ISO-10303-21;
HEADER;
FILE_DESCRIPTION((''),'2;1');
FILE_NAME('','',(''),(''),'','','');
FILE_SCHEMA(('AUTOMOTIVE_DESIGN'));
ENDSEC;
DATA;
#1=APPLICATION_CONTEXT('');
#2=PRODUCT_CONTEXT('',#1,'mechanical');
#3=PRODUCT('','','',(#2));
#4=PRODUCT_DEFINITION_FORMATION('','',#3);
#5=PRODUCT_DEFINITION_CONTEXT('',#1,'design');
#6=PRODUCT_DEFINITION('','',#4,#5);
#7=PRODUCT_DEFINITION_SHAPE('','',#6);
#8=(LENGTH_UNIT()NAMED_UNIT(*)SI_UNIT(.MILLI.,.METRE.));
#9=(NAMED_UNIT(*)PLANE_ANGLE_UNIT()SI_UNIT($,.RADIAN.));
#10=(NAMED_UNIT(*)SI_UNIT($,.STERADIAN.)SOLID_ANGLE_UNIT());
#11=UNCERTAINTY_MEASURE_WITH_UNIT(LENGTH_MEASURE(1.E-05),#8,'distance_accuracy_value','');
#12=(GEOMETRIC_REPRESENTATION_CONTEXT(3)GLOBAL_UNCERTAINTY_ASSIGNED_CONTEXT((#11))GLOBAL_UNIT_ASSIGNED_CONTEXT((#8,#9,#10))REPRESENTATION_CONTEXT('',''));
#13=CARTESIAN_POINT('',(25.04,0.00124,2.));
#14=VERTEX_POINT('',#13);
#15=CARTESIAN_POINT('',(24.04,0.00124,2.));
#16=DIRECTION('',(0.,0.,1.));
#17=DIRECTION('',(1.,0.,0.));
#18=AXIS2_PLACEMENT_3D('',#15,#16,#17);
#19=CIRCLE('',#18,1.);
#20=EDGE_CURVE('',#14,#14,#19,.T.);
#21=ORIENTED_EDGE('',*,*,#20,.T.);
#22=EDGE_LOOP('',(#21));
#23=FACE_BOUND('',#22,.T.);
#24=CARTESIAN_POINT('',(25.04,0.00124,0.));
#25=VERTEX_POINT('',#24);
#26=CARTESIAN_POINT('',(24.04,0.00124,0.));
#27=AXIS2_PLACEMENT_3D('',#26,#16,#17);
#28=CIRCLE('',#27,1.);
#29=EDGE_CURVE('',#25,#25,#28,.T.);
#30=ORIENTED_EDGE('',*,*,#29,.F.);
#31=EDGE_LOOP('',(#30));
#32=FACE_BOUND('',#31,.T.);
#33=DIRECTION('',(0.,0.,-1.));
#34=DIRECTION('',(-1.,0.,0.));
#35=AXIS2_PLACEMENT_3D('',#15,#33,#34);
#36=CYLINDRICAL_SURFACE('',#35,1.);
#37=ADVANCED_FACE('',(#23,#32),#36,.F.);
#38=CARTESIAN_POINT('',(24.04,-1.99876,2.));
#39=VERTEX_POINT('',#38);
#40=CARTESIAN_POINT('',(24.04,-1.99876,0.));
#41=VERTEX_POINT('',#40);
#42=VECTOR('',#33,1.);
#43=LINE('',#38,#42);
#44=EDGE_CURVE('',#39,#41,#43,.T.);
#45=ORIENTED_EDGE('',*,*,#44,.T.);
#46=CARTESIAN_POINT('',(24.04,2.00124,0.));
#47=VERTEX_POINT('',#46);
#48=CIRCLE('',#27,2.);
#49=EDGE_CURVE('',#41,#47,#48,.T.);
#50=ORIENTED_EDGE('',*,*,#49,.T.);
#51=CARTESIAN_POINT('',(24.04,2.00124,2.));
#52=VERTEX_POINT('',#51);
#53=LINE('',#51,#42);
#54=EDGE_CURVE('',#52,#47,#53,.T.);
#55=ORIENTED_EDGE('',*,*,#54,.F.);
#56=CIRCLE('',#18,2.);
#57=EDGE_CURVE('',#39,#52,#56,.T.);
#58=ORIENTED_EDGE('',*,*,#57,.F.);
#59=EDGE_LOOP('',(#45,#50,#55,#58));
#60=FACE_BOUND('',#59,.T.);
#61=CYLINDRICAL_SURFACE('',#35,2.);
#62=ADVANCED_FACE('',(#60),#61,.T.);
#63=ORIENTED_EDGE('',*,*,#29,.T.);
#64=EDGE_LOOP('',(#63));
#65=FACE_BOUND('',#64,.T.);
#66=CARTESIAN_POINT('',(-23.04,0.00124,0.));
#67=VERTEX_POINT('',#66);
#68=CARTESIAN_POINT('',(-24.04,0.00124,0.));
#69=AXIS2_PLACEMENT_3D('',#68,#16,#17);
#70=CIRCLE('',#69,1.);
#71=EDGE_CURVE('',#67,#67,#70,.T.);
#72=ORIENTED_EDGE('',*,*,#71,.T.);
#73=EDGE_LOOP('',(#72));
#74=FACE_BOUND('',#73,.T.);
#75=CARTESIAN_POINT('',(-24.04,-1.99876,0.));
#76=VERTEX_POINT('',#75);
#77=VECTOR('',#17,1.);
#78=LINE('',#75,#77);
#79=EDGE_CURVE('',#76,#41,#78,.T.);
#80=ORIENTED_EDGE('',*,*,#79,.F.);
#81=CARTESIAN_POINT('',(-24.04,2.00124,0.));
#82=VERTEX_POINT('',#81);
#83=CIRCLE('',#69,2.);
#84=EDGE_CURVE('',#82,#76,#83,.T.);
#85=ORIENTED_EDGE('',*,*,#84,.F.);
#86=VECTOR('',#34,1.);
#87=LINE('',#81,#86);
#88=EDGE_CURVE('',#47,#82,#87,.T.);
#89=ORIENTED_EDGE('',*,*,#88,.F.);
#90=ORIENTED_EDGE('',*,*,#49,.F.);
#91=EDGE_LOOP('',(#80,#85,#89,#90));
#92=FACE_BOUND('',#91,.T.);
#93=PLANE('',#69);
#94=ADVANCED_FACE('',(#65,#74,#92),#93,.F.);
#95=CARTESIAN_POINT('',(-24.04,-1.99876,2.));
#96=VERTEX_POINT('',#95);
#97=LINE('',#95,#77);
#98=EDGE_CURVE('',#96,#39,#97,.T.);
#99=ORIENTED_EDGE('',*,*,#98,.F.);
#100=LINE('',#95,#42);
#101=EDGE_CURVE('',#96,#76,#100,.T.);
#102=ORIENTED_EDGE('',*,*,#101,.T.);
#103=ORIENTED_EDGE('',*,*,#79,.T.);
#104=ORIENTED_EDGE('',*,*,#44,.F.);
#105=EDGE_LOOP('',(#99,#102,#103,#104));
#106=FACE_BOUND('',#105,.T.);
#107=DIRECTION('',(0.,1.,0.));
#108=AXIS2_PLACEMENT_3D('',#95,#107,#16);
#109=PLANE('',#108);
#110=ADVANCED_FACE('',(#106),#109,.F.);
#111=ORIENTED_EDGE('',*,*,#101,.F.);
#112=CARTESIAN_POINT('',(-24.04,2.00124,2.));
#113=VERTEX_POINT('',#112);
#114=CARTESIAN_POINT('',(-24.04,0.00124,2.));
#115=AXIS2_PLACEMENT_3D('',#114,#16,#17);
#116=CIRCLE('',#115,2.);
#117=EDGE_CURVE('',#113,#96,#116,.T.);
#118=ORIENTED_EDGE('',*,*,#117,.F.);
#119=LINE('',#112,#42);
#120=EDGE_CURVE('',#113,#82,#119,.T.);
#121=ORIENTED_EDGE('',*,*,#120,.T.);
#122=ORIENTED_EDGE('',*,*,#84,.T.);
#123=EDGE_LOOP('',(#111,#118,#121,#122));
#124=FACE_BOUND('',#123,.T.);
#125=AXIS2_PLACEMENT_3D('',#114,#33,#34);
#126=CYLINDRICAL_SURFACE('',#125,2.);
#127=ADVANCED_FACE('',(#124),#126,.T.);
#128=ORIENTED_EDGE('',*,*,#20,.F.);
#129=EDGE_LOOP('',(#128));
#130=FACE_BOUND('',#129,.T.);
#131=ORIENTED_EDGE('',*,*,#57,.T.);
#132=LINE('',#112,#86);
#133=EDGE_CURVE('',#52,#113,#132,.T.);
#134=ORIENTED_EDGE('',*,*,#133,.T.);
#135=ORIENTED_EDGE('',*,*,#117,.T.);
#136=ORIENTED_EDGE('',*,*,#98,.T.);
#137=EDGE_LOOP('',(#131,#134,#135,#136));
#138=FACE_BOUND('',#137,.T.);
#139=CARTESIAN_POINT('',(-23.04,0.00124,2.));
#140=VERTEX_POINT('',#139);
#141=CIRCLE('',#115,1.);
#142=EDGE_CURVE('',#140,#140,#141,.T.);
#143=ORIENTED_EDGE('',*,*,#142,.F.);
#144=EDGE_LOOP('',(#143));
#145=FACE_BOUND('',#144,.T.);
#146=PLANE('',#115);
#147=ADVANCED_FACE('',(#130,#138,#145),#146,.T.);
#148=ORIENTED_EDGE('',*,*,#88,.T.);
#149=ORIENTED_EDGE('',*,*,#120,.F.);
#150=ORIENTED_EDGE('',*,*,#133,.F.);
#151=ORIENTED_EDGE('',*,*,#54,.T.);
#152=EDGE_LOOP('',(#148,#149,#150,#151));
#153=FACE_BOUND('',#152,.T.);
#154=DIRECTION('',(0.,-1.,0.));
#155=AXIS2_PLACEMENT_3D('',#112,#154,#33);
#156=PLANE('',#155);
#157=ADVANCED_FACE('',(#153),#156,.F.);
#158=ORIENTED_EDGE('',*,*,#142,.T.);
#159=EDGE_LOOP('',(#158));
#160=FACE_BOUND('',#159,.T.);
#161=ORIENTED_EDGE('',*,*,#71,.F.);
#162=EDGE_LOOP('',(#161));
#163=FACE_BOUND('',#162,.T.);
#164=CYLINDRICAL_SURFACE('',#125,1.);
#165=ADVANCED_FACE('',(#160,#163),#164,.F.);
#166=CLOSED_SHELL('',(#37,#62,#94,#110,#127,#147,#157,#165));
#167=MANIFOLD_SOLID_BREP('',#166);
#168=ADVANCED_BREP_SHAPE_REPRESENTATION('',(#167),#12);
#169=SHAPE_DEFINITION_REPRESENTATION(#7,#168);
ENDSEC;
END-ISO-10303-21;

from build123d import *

# Parameters (mm, degrees)
SKETCH_1_R      = 1
EXTRUDE_1_DEPTH = 2


with BuildPart() as part:
    # 草圖1 → 填料-伸長1 (new body)
    with BuildSketch(Plane.XY):
        with BuildLine():
            Line((-24.039999968, 2.001240404), (24.040000032, 2.001240404))
            ThreePointArc((24.040000032, 2.001240404), (26.040000032, 0.001240404), (24.040000032, -1.998759596))
            Line((24.040000032, -1.998759596), (-24.039999968, -1.998759596))
            ThreePointArc((-24.039999968, -1.998759596), (-26.039999968, 0.001240404), (-24.039999968, 2.001240404))
        make_face()
        with Locations((-24.039999968, 0.001240404)):
            Circle(SKETCH_1_R, mode=Mode.SUBTRACT)
        with Locations((24.040000032, 0.001240404)):
            Circle(SKETCH_1_R, mode=Mode.SUBTRACT)
    extrude(amount=EXTRUDE_1_DEPTH)


solid = part.part
